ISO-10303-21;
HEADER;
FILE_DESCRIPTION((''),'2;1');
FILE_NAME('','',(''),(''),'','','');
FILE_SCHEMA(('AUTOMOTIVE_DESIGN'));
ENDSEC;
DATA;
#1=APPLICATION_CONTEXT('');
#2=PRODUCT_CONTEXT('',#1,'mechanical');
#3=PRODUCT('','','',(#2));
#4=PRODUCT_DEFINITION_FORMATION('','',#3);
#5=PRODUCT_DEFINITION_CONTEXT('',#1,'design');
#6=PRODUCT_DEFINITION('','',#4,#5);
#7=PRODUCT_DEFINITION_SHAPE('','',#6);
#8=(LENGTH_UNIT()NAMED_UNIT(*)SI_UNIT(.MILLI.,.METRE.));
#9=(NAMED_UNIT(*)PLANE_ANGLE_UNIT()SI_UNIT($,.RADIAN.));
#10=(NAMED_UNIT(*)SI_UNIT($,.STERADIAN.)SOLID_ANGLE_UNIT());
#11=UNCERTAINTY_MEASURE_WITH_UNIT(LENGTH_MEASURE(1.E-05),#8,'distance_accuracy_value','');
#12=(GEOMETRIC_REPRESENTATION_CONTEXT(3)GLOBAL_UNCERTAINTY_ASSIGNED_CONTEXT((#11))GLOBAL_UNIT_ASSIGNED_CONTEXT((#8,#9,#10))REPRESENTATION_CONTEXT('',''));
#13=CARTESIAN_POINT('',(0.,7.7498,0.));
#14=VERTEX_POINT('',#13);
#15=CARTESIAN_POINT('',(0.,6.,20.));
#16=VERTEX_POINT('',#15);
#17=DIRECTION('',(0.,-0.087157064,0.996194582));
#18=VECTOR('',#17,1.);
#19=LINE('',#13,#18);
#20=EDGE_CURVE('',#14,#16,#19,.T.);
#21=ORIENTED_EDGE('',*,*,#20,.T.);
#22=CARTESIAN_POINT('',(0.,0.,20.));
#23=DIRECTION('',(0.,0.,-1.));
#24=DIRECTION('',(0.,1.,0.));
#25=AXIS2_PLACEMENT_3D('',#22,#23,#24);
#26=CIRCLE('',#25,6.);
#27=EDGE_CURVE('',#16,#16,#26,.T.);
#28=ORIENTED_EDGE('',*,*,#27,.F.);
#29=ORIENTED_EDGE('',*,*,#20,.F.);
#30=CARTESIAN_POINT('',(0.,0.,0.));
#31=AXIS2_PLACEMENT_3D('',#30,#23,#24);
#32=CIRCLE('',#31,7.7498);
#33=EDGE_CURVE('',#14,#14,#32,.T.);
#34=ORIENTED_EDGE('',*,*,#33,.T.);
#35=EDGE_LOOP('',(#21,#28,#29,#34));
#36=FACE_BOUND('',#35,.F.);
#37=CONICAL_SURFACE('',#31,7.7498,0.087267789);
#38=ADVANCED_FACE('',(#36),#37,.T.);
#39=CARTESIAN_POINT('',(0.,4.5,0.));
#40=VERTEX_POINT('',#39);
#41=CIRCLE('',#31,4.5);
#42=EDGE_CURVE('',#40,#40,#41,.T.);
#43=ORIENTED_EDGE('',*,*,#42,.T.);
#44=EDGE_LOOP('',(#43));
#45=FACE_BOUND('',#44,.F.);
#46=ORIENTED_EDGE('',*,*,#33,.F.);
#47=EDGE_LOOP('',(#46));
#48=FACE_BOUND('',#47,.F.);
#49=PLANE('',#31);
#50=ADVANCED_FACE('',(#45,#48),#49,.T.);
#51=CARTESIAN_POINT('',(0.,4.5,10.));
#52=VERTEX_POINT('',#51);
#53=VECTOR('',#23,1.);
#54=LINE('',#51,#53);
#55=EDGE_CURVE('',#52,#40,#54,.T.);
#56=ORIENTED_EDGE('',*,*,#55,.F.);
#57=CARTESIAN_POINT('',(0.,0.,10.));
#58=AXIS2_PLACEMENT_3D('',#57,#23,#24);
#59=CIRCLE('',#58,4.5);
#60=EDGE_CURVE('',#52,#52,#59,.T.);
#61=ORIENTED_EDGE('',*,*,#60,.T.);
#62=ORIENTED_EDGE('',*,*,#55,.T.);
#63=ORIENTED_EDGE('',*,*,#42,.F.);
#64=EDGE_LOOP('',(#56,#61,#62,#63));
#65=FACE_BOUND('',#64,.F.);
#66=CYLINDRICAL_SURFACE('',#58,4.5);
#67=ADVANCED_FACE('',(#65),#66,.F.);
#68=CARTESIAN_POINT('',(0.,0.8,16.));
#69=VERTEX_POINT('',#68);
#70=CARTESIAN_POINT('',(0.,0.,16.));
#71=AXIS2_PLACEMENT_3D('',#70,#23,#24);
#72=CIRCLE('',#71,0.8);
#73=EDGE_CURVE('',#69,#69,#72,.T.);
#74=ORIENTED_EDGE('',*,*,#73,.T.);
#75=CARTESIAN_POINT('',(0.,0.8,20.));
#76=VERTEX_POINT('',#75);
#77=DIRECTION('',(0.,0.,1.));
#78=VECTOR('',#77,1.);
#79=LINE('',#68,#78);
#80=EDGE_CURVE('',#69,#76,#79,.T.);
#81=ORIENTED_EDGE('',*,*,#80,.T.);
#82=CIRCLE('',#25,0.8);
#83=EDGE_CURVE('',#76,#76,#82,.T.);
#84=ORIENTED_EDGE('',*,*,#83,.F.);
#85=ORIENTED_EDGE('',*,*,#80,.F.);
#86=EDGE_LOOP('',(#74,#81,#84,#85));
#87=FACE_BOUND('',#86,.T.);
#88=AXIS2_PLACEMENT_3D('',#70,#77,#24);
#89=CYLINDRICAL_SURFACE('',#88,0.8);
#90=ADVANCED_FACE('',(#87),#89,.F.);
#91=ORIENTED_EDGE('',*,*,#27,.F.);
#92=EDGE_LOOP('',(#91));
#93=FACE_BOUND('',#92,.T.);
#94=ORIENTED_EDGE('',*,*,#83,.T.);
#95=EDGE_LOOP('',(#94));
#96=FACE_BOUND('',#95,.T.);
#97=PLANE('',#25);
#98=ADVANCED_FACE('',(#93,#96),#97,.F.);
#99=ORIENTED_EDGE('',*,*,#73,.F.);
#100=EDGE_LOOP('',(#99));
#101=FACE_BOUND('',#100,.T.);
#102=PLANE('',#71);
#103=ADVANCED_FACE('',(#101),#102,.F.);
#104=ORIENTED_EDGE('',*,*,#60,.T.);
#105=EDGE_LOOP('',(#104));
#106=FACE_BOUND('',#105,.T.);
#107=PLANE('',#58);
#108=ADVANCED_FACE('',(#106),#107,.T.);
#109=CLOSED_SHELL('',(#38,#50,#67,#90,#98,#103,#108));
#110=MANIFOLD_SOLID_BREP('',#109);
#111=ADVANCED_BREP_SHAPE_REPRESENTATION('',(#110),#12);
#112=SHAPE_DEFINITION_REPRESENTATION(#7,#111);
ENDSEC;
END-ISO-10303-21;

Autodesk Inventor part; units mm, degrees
ref_plane "YZ Plane" through (0, 0, 0) normal (1, 0, 0) x (0, 1, 0)
ref_plane "XZ Plane" through (0, 0, 0) normal (0, 1, 0) x (-1, 0, 0)
ref_plane "XY Plane" through (0, 0, 0) normal (0, 0, 1) x (1, 0, 0)
sketch "Sketch1" plane through (0, 0, 0) normal (1, 0, 0) x (0, 1, 0)
  line L0 (0, 20) -> (6, 20) construction
  arc A0 (7.7498, 0) -> (6, 20) centre (-30.6677, 6.7154) ccw construction
  line L1 (0, 16) -> (0, 0) construction
  line L2 (6, 20) -> (2.4961, 20) construction
  line L3 (7.7498, 0) -> (4.5, 0) construction
  line L4 (4.5, 10) -> (0, 10)
  line L5 (4.5, 10) -> (4.5, 0)
  line L6 (0, 16) -> (0, 10)
  line L7 (7.7498, 0) -> (6, 20) construction
  line L8 (4.5, 0) -> (7.7498, 0)
  line L9 (7.7498, 0) -> (6, 20)
  line L10 (0, 16) -> (0.8, 16)
  line L11 (0.8, 16) -> (0.8, 20)
  line L12 (0.8, 20) -> (6, 20)
  dimension "d0" = 6
  dimension "d5" = 4.5
  dimension "d11" = 10
  dimension "d12" = 20
  dimension "d13" = 95
  dimension "d21" = 4
  dimension "d22" = 0.8
revolve "Revolution1" add sketch "Sketch1" angle 360 about axis through (0, 0, 16) along (0, 0, -1)
properties part number "brush fitting parta v4"
